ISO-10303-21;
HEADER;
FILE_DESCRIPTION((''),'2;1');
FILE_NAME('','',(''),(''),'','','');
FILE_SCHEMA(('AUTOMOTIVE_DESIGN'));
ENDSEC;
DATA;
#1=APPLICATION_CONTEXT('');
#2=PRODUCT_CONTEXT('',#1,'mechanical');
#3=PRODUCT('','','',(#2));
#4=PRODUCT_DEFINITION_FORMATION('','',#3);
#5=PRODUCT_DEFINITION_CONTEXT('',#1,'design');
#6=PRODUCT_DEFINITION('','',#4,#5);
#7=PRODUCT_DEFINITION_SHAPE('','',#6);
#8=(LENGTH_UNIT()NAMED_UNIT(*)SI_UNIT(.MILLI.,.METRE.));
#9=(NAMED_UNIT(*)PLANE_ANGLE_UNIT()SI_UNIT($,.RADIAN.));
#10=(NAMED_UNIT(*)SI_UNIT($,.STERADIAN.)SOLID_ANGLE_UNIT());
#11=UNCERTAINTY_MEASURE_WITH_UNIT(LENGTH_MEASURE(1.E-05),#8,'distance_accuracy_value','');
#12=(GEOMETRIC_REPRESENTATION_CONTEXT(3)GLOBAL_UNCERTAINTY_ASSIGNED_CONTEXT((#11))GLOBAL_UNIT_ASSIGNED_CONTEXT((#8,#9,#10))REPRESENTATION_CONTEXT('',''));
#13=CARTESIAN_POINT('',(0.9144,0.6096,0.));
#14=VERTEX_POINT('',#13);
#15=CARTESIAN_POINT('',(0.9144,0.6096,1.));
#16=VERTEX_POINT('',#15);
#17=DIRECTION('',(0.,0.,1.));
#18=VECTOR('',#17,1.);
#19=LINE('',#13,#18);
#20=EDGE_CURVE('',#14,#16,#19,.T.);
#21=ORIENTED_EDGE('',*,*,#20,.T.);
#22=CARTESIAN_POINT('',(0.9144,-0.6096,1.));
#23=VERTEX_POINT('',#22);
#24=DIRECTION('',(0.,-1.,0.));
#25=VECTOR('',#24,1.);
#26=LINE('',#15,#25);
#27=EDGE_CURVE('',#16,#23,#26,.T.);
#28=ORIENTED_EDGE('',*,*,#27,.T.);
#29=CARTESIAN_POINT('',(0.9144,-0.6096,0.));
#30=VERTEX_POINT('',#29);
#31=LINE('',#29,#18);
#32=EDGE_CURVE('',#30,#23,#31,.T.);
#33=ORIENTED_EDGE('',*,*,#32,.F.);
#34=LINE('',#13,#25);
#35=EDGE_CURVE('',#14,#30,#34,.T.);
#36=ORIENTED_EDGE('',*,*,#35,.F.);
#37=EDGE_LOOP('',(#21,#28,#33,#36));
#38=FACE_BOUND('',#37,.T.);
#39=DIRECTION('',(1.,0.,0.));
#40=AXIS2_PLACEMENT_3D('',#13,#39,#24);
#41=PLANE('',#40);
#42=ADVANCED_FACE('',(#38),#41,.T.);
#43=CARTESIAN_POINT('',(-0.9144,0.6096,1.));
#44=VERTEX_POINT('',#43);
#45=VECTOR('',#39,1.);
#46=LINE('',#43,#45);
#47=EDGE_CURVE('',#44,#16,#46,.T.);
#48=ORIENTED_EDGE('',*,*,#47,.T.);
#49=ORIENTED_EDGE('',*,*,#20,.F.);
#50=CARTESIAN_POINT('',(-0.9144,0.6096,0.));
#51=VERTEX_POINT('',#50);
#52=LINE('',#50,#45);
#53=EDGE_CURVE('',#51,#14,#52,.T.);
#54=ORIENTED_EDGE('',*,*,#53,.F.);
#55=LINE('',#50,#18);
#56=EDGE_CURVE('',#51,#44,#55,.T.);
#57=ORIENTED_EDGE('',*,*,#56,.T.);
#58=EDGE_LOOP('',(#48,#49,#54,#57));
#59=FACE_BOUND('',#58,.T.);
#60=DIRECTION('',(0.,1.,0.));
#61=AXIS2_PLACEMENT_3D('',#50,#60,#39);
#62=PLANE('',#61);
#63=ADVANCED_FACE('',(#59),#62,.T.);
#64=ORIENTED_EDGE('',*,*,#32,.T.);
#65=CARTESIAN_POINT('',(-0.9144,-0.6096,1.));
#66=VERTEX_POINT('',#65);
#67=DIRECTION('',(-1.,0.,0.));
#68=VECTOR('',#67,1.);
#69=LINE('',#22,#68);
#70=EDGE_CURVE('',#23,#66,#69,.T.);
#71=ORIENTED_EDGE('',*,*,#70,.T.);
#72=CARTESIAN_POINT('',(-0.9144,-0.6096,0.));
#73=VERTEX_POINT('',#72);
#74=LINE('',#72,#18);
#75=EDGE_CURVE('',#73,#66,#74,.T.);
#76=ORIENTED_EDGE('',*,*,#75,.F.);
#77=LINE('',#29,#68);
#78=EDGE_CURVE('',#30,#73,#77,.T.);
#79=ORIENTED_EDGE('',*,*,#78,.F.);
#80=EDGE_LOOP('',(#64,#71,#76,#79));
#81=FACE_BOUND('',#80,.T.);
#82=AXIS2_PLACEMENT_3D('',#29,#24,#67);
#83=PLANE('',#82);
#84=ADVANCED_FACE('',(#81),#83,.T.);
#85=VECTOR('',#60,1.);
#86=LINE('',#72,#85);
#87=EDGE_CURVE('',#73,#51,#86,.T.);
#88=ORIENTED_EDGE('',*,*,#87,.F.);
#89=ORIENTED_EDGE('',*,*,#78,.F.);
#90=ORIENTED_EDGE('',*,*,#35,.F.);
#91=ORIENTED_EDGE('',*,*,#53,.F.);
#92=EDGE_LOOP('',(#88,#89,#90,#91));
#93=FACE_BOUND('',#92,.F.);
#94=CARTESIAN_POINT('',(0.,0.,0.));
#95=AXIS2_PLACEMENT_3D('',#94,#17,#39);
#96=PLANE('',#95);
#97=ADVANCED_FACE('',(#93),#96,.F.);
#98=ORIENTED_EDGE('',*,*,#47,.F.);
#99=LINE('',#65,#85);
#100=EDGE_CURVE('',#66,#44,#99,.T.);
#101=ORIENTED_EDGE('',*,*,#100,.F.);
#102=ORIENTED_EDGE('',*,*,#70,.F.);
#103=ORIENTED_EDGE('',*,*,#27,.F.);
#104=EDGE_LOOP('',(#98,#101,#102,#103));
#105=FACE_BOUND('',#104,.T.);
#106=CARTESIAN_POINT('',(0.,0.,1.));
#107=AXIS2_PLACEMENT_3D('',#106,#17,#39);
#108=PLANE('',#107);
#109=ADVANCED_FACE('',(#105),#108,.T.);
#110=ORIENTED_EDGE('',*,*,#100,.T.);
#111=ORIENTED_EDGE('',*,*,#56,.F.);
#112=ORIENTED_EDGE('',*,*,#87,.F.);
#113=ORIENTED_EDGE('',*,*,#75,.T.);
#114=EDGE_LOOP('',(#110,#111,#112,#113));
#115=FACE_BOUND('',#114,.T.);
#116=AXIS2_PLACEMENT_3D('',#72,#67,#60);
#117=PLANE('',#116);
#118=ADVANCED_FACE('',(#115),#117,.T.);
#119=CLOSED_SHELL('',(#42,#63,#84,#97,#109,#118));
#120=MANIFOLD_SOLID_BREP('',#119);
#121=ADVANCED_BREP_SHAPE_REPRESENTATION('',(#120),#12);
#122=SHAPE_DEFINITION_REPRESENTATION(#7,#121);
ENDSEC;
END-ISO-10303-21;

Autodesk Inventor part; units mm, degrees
ref_plane "YZ Plane" through (0, 0, 0) normal (1, 0, 0) x (0, 1, 0)
ref_plane "XZ Plane" through (0, 0, 0) normal (0, 1, 0) x (-1, 0, 0)
ref_plane "XY Plane" through (0, 0, 0) normal (0, 0, 1) x (1, 0, 0)
sketch "CSMD0805, 1U_32" plane through (0, 0, 0) normal (0, 0, 1) x (1, 0, 0)
  line L0 (-0.9144, 0.6096) -> (0.9144, 0.6096)
  line L1 (0.9144, 0.6096) -> (0.9144, -0.6096)
  line L2 (0.9144, -0.6096) -> (-0.9144, -0.6096)
  line L3 (-0.9144, -0.6096) -> (-0.9144, 0.6096)
extrude "Extrusion1" add sketch "CSMD0805, 1U_32" along normal blind 1
properties part number "1U"
